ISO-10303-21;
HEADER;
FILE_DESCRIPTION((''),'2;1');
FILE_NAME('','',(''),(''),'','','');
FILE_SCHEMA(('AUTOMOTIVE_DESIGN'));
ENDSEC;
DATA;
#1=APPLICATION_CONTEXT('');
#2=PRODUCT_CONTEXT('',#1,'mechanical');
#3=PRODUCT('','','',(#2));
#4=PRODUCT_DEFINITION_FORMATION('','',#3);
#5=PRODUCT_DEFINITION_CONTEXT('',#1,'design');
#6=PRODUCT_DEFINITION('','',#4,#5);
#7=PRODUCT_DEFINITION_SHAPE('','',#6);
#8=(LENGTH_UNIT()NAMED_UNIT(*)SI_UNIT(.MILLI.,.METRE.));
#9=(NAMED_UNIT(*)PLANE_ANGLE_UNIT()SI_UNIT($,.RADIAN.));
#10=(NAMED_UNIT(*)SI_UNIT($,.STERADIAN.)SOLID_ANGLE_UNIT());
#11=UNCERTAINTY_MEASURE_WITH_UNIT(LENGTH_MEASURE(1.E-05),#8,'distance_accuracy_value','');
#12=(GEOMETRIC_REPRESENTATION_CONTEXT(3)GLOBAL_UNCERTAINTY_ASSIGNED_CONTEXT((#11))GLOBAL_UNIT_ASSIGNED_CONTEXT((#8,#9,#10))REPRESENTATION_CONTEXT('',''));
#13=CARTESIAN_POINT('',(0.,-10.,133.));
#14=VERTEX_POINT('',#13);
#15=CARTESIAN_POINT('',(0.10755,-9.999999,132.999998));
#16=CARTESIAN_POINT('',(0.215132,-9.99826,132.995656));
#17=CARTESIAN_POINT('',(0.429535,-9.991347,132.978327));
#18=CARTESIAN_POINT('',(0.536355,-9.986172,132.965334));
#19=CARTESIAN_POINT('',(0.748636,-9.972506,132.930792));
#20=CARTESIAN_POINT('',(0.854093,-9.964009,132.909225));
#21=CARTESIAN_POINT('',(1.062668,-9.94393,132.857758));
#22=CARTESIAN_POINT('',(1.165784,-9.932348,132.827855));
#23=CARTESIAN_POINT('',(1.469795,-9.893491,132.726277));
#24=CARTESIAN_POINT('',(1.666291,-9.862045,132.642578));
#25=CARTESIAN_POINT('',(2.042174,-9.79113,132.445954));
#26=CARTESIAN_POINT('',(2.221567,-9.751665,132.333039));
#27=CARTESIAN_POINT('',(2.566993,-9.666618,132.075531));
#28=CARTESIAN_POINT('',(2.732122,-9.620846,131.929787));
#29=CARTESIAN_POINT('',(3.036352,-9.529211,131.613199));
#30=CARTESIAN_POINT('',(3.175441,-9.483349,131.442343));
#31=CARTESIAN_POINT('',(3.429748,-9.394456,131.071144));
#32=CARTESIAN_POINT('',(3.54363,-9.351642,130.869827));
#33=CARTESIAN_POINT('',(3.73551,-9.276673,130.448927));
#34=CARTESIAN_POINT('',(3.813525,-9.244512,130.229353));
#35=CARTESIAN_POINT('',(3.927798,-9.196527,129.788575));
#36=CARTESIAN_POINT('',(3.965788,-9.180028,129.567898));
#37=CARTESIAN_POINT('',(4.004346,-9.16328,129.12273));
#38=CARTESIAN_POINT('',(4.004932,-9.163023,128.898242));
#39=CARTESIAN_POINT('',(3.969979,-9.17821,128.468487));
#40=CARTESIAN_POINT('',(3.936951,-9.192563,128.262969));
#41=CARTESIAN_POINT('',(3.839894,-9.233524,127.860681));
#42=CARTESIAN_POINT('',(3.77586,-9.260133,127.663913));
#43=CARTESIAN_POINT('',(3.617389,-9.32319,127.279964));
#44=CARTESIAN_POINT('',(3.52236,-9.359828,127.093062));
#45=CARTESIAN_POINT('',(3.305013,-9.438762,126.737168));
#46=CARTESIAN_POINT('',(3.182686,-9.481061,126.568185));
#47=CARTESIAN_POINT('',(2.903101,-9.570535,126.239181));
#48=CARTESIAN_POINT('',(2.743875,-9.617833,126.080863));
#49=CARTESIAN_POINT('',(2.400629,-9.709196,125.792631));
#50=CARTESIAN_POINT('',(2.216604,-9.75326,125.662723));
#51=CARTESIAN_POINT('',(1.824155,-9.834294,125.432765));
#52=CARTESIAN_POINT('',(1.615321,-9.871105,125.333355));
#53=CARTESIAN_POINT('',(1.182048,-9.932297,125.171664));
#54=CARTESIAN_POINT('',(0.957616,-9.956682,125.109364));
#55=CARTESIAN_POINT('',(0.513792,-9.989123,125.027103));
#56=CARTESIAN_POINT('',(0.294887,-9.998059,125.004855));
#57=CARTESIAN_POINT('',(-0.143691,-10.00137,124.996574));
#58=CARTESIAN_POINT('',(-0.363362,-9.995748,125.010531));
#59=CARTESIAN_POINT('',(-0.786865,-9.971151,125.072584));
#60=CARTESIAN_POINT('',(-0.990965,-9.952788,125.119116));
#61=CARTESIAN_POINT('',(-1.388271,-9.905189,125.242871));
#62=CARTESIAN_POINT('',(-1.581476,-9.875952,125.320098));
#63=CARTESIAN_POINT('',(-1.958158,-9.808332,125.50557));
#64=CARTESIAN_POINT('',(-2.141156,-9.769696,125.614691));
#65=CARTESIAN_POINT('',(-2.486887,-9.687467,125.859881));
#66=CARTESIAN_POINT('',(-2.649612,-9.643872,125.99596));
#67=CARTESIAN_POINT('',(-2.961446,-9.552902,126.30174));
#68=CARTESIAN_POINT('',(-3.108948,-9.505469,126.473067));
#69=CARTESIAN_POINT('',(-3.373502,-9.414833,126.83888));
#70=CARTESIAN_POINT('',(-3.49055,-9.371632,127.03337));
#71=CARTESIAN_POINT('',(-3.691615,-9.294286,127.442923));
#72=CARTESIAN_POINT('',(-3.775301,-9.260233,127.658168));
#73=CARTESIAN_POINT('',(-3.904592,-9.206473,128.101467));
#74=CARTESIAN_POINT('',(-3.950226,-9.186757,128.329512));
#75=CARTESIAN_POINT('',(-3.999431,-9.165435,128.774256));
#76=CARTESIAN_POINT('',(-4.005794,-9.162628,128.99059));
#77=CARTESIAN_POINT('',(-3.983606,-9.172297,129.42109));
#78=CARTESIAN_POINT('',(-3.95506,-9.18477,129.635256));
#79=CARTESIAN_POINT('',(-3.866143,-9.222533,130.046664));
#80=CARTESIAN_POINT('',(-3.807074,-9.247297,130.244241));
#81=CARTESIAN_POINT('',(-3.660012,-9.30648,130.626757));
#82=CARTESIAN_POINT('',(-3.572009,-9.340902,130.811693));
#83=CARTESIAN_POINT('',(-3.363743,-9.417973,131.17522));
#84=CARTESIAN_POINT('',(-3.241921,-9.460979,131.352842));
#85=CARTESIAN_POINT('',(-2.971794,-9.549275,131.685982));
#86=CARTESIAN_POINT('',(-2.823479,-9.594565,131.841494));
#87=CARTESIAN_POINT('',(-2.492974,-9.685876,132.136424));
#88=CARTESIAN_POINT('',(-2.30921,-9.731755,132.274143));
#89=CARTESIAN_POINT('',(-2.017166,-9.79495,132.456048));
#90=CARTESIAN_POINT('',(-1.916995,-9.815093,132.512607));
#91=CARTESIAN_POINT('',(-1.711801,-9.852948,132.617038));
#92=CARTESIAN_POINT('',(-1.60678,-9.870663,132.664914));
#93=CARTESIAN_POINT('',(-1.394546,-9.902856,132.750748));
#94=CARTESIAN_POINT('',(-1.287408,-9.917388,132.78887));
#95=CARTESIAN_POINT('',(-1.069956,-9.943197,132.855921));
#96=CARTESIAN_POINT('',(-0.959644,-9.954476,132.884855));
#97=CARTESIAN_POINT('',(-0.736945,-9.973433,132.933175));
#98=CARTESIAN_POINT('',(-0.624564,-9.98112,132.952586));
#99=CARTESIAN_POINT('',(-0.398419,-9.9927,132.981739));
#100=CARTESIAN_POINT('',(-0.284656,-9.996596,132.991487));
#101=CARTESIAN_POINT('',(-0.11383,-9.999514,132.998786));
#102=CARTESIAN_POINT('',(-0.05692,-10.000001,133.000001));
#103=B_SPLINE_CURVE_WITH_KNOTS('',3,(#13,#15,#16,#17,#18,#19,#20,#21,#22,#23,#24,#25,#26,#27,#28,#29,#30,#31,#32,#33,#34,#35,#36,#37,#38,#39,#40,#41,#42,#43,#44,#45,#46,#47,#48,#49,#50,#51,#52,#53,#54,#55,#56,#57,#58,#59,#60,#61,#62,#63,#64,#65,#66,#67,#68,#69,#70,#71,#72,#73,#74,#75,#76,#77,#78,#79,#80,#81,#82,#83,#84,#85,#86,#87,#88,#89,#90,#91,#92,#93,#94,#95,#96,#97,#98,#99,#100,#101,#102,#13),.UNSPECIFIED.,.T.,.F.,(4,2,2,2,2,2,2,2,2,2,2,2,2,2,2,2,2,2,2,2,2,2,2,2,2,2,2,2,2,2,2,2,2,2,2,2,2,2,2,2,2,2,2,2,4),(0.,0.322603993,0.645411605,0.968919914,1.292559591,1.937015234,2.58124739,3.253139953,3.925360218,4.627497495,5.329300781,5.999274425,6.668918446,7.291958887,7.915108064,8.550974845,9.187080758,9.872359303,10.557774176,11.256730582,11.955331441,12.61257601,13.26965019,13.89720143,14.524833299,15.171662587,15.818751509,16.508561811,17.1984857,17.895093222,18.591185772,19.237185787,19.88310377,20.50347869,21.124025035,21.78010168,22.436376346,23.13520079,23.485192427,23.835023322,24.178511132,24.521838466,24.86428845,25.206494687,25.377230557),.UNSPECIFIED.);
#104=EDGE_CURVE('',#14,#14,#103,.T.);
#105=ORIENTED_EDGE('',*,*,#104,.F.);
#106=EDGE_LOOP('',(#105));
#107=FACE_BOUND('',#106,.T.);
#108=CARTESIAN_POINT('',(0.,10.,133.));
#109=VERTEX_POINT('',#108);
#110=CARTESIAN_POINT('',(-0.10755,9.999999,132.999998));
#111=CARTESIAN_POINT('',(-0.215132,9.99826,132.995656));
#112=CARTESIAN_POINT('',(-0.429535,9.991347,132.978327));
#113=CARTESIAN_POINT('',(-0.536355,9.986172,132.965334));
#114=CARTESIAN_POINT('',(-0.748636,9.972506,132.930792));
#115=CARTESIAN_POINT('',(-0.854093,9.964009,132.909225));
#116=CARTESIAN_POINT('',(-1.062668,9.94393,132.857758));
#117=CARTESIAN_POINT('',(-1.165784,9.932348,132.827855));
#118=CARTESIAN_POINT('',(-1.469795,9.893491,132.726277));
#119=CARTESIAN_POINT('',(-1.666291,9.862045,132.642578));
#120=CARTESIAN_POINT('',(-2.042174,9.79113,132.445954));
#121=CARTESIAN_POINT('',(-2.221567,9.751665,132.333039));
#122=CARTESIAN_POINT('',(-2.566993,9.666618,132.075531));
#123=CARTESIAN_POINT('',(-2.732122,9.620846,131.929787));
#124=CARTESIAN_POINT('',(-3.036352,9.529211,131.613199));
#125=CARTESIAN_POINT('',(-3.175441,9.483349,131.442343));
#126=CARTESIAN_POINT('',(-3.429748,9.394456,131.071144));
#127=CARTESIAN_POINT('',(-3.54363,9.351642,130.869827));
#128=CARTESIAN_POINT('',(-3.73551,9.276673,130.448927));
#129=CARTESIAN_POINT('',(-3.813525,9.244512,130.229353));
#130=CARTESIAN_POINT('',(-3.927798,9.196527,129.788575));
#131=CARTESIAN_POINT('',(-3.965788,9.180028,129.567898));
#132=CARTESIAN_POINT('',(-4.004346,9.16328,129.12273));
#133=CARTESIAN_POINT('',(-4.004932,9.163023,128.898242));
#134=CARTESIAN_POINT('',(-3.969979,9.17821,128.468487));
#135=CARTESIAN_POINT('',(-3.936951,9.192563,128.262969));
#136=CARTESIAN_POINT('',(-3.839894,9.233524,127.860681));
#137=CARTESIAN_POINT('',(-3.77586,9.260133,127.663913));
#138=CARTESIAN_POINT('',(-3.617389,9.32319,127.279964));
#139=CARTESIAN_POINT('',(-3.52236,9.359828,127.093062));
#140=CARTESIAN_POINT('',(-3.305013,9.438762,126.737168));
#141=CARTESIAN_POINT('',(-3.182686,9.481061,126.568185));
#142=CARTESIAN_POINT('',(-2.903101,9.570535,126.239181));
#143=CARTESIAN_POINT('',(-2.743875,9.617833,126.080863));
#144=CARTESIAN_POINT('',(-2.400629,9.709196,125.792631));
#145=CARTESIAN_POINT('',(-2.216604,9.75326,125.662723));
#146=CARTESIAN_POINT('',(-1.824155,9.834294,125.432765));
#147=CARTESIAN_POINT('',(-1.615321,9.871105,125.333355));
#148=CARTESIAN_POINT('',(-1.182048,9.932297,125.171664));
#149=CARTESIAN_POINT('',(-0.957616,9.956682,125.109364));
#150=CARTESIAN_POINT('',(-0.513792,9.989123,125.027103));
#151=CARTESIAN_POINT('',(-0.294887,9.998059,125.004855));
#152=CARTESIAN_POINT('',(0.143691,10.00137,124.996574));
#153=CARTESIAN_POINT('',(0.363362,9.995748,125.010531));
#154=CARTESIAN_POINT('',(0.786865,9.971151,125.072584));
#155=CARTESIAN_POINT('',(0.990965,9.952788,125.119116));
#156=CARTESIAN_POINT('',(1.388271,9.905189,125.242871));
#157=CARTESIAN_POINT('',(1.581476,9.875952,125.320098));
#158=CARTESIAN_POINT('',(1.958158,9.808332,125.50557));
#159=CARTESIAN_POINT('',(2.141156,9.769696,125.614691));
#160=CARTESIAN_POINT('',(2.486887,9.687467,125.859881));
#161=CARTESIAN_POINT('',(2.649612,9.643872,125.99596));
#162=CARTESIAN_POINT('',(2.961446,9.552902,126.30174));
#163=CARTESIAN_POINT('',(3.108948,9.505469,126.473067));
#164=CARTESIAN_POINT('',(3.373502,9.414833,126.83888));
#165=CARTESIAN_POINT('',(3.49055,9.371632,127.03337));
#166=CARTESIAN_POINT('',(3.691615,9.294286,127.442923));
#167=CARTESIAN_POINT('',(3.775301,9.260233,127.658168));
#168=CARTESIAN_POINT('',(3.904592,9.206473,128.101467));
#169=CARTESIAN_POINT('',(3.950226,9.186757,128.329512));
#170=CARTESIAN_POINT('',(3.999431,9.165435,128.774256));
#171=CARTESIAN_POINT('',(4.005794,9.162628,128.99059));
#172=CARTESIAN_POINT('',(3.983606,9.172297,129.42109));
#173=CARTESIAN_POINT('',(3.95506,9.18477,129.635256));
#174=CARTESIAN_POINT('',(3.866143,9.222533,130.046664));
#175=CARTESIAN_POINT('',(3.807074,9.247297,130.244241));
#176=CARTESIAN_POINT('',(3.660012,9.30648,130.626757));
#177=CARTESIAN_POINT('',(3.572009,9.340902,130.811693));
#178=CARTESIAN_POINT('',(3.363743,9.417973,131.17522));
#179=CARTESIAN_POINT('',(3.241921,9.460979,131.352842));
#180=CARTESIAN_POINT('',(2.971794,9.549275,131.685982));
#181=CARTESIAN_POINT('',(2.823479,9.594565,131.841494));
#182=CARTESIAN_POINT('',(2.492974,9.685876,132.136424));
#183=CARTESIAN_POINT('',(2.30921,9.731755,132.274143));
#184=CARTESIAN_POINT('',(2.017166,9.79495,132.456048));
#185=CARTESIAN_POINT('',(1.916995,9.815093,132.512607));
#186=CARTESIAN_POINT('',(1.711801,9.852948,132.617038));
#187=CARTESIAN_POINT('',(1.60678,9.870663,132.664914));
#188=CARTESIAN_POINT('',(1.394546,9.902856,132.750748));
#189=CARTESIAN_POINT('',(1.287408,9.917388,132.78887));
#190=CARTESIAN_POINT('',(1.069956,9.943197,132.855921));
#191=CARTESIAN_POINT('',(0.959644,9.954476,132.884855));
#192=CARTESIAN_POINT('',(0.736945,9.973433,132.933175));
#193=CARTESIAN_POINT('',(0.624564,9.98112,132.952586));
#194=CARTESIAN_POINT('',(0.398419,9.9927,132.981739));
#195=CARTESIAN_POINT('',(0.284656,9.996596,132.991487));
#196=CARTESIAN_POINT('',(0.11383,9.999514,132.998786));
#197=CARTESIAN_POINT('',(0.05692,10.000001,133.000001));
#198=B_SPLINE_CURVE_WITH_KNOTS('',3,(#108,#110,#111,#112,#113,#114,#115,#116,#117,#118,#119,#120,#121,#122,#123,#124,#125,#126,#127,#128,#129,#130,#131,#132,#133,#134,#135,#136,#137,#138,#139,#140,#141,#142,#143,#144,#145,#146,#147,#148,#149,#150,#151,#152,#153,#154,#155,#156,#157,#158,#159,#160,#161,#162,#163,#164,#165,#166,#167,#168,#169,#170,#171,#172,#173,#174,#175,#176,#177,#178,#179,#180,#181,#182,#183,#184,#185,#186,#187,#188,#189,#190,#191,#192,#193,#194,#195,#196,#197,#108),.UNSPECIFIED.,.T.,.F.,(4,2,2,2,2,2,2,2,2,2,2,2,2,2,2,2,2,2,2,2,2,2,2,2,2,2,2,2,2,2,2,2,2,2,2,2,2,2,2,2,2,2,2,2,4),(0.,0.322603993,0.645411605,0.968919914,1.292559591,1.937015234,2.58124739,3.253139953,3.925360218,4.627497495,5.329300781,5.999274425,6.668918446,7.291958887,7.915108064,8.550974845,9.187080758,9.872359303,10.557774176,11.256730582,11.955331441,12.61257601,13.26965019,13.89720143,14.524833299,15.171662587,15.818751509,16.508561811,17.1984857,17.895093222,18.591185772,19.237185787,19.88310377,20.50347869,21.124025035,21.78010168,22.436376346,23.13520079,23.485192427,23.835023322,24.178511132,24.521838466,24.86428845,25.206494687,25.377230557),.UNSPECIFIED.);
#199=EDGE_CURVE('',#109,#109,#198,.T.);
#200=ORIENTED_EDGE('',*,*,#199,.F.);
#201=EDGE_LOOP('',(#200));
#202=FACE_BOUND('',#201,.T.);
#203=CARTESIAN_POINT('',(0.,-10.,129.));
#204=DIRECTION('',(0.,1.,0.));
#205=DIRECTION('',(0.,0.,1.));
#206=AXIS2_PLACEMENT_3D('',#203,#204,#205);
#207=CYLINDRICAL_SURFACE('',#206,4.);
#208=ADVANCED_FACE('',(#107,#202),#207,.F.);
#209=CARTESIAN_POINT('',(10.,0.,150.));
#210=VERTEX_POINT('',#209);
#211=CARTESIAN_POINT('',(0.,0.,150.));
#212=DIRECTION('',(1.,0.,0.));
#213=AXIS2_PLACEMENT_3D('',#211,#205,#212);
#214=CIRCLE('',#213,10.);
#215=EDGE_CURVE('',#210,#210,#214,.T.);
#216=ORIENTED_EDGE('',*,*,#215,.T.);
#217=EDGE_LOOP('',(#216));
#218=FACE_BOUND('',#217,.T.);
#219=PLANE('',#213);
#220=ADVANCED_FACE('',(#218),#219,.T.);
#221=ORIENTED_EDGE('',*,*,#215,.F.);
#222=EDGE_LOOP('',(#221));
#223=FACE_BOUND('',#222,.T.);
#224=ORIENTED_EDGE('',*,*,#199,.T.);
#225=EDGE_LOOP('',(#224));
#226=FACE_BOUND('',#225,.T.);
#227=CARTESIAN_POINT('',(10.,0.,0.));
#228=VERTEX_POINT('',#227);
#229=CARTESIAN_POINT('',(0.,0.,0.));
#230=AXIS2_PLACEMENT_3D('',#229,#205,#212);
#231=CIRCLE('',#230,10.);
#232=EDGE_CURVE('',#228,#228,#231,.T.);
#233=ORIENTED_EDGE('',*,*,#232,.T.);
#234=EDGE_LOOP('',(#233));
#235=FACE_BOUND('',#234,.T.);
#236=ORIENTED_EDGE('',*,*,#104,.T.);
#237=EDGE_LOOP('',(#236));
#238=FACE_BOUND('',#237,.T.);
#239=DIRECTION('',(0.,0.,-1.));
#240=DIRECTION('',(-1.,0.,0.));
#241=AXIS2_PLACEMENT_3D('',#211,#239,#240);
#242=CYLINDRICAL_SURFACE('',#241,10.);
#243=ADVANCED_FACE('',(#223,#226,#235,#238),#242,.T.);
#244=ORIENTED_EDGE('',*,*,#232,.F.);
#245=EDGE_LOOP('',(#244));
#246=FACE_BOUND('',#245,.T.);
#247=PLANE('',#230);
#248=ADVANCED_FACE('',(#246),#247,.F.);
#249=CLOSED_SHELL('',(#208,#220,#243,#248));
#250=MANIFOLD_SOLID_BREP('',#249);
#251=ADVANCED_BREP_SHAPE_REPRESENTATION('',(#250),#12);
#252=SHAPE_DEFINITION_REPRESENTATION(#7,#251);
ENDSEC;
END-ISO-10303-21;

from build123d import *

# Parameters (mm, degrees)
SKETCH_1_R               = 10
EXTRUDE_1_DEPTH          = 150
CUT_EXTRUDE_1_DEPTH      = 151.665191733
CUT_EXTRUDE_1_DEPTH_BACK = 151.665191733
SKETCH_2_R               = 4


with BuildPart() as part:
    # Эскиз1 → Бобышка-Вытянуть1 (new body)
    with BuildSketch(Plane.XY):
        Circle(SKETCH_1_R)
    extrude(amount=EXTRUDE_1_DEPTH)

    # Эскиз2 → Вырез-Вытянуть1 (cut, two sides: drawn at the far end of the back side and taken through both)
    with BuildSketch(Plane(origin=(0, 0, 0), x_dir=(1, 0, 0), z_dir=(0, 1, 0)).offset(-CUT_EXTRUDE_1_DEPTH_BACK)):
        with Locations(Location((0, -129, 0), (0, 0, 270))):
            Circle(SKETCH_2_R)
    extrude(amount=CUT_EXTRUDE_1_DEPTH + CUT_EXTRUDE_1_DEPTH_BACK, mode=Mode.SUBTRACT)


solid = part.part
